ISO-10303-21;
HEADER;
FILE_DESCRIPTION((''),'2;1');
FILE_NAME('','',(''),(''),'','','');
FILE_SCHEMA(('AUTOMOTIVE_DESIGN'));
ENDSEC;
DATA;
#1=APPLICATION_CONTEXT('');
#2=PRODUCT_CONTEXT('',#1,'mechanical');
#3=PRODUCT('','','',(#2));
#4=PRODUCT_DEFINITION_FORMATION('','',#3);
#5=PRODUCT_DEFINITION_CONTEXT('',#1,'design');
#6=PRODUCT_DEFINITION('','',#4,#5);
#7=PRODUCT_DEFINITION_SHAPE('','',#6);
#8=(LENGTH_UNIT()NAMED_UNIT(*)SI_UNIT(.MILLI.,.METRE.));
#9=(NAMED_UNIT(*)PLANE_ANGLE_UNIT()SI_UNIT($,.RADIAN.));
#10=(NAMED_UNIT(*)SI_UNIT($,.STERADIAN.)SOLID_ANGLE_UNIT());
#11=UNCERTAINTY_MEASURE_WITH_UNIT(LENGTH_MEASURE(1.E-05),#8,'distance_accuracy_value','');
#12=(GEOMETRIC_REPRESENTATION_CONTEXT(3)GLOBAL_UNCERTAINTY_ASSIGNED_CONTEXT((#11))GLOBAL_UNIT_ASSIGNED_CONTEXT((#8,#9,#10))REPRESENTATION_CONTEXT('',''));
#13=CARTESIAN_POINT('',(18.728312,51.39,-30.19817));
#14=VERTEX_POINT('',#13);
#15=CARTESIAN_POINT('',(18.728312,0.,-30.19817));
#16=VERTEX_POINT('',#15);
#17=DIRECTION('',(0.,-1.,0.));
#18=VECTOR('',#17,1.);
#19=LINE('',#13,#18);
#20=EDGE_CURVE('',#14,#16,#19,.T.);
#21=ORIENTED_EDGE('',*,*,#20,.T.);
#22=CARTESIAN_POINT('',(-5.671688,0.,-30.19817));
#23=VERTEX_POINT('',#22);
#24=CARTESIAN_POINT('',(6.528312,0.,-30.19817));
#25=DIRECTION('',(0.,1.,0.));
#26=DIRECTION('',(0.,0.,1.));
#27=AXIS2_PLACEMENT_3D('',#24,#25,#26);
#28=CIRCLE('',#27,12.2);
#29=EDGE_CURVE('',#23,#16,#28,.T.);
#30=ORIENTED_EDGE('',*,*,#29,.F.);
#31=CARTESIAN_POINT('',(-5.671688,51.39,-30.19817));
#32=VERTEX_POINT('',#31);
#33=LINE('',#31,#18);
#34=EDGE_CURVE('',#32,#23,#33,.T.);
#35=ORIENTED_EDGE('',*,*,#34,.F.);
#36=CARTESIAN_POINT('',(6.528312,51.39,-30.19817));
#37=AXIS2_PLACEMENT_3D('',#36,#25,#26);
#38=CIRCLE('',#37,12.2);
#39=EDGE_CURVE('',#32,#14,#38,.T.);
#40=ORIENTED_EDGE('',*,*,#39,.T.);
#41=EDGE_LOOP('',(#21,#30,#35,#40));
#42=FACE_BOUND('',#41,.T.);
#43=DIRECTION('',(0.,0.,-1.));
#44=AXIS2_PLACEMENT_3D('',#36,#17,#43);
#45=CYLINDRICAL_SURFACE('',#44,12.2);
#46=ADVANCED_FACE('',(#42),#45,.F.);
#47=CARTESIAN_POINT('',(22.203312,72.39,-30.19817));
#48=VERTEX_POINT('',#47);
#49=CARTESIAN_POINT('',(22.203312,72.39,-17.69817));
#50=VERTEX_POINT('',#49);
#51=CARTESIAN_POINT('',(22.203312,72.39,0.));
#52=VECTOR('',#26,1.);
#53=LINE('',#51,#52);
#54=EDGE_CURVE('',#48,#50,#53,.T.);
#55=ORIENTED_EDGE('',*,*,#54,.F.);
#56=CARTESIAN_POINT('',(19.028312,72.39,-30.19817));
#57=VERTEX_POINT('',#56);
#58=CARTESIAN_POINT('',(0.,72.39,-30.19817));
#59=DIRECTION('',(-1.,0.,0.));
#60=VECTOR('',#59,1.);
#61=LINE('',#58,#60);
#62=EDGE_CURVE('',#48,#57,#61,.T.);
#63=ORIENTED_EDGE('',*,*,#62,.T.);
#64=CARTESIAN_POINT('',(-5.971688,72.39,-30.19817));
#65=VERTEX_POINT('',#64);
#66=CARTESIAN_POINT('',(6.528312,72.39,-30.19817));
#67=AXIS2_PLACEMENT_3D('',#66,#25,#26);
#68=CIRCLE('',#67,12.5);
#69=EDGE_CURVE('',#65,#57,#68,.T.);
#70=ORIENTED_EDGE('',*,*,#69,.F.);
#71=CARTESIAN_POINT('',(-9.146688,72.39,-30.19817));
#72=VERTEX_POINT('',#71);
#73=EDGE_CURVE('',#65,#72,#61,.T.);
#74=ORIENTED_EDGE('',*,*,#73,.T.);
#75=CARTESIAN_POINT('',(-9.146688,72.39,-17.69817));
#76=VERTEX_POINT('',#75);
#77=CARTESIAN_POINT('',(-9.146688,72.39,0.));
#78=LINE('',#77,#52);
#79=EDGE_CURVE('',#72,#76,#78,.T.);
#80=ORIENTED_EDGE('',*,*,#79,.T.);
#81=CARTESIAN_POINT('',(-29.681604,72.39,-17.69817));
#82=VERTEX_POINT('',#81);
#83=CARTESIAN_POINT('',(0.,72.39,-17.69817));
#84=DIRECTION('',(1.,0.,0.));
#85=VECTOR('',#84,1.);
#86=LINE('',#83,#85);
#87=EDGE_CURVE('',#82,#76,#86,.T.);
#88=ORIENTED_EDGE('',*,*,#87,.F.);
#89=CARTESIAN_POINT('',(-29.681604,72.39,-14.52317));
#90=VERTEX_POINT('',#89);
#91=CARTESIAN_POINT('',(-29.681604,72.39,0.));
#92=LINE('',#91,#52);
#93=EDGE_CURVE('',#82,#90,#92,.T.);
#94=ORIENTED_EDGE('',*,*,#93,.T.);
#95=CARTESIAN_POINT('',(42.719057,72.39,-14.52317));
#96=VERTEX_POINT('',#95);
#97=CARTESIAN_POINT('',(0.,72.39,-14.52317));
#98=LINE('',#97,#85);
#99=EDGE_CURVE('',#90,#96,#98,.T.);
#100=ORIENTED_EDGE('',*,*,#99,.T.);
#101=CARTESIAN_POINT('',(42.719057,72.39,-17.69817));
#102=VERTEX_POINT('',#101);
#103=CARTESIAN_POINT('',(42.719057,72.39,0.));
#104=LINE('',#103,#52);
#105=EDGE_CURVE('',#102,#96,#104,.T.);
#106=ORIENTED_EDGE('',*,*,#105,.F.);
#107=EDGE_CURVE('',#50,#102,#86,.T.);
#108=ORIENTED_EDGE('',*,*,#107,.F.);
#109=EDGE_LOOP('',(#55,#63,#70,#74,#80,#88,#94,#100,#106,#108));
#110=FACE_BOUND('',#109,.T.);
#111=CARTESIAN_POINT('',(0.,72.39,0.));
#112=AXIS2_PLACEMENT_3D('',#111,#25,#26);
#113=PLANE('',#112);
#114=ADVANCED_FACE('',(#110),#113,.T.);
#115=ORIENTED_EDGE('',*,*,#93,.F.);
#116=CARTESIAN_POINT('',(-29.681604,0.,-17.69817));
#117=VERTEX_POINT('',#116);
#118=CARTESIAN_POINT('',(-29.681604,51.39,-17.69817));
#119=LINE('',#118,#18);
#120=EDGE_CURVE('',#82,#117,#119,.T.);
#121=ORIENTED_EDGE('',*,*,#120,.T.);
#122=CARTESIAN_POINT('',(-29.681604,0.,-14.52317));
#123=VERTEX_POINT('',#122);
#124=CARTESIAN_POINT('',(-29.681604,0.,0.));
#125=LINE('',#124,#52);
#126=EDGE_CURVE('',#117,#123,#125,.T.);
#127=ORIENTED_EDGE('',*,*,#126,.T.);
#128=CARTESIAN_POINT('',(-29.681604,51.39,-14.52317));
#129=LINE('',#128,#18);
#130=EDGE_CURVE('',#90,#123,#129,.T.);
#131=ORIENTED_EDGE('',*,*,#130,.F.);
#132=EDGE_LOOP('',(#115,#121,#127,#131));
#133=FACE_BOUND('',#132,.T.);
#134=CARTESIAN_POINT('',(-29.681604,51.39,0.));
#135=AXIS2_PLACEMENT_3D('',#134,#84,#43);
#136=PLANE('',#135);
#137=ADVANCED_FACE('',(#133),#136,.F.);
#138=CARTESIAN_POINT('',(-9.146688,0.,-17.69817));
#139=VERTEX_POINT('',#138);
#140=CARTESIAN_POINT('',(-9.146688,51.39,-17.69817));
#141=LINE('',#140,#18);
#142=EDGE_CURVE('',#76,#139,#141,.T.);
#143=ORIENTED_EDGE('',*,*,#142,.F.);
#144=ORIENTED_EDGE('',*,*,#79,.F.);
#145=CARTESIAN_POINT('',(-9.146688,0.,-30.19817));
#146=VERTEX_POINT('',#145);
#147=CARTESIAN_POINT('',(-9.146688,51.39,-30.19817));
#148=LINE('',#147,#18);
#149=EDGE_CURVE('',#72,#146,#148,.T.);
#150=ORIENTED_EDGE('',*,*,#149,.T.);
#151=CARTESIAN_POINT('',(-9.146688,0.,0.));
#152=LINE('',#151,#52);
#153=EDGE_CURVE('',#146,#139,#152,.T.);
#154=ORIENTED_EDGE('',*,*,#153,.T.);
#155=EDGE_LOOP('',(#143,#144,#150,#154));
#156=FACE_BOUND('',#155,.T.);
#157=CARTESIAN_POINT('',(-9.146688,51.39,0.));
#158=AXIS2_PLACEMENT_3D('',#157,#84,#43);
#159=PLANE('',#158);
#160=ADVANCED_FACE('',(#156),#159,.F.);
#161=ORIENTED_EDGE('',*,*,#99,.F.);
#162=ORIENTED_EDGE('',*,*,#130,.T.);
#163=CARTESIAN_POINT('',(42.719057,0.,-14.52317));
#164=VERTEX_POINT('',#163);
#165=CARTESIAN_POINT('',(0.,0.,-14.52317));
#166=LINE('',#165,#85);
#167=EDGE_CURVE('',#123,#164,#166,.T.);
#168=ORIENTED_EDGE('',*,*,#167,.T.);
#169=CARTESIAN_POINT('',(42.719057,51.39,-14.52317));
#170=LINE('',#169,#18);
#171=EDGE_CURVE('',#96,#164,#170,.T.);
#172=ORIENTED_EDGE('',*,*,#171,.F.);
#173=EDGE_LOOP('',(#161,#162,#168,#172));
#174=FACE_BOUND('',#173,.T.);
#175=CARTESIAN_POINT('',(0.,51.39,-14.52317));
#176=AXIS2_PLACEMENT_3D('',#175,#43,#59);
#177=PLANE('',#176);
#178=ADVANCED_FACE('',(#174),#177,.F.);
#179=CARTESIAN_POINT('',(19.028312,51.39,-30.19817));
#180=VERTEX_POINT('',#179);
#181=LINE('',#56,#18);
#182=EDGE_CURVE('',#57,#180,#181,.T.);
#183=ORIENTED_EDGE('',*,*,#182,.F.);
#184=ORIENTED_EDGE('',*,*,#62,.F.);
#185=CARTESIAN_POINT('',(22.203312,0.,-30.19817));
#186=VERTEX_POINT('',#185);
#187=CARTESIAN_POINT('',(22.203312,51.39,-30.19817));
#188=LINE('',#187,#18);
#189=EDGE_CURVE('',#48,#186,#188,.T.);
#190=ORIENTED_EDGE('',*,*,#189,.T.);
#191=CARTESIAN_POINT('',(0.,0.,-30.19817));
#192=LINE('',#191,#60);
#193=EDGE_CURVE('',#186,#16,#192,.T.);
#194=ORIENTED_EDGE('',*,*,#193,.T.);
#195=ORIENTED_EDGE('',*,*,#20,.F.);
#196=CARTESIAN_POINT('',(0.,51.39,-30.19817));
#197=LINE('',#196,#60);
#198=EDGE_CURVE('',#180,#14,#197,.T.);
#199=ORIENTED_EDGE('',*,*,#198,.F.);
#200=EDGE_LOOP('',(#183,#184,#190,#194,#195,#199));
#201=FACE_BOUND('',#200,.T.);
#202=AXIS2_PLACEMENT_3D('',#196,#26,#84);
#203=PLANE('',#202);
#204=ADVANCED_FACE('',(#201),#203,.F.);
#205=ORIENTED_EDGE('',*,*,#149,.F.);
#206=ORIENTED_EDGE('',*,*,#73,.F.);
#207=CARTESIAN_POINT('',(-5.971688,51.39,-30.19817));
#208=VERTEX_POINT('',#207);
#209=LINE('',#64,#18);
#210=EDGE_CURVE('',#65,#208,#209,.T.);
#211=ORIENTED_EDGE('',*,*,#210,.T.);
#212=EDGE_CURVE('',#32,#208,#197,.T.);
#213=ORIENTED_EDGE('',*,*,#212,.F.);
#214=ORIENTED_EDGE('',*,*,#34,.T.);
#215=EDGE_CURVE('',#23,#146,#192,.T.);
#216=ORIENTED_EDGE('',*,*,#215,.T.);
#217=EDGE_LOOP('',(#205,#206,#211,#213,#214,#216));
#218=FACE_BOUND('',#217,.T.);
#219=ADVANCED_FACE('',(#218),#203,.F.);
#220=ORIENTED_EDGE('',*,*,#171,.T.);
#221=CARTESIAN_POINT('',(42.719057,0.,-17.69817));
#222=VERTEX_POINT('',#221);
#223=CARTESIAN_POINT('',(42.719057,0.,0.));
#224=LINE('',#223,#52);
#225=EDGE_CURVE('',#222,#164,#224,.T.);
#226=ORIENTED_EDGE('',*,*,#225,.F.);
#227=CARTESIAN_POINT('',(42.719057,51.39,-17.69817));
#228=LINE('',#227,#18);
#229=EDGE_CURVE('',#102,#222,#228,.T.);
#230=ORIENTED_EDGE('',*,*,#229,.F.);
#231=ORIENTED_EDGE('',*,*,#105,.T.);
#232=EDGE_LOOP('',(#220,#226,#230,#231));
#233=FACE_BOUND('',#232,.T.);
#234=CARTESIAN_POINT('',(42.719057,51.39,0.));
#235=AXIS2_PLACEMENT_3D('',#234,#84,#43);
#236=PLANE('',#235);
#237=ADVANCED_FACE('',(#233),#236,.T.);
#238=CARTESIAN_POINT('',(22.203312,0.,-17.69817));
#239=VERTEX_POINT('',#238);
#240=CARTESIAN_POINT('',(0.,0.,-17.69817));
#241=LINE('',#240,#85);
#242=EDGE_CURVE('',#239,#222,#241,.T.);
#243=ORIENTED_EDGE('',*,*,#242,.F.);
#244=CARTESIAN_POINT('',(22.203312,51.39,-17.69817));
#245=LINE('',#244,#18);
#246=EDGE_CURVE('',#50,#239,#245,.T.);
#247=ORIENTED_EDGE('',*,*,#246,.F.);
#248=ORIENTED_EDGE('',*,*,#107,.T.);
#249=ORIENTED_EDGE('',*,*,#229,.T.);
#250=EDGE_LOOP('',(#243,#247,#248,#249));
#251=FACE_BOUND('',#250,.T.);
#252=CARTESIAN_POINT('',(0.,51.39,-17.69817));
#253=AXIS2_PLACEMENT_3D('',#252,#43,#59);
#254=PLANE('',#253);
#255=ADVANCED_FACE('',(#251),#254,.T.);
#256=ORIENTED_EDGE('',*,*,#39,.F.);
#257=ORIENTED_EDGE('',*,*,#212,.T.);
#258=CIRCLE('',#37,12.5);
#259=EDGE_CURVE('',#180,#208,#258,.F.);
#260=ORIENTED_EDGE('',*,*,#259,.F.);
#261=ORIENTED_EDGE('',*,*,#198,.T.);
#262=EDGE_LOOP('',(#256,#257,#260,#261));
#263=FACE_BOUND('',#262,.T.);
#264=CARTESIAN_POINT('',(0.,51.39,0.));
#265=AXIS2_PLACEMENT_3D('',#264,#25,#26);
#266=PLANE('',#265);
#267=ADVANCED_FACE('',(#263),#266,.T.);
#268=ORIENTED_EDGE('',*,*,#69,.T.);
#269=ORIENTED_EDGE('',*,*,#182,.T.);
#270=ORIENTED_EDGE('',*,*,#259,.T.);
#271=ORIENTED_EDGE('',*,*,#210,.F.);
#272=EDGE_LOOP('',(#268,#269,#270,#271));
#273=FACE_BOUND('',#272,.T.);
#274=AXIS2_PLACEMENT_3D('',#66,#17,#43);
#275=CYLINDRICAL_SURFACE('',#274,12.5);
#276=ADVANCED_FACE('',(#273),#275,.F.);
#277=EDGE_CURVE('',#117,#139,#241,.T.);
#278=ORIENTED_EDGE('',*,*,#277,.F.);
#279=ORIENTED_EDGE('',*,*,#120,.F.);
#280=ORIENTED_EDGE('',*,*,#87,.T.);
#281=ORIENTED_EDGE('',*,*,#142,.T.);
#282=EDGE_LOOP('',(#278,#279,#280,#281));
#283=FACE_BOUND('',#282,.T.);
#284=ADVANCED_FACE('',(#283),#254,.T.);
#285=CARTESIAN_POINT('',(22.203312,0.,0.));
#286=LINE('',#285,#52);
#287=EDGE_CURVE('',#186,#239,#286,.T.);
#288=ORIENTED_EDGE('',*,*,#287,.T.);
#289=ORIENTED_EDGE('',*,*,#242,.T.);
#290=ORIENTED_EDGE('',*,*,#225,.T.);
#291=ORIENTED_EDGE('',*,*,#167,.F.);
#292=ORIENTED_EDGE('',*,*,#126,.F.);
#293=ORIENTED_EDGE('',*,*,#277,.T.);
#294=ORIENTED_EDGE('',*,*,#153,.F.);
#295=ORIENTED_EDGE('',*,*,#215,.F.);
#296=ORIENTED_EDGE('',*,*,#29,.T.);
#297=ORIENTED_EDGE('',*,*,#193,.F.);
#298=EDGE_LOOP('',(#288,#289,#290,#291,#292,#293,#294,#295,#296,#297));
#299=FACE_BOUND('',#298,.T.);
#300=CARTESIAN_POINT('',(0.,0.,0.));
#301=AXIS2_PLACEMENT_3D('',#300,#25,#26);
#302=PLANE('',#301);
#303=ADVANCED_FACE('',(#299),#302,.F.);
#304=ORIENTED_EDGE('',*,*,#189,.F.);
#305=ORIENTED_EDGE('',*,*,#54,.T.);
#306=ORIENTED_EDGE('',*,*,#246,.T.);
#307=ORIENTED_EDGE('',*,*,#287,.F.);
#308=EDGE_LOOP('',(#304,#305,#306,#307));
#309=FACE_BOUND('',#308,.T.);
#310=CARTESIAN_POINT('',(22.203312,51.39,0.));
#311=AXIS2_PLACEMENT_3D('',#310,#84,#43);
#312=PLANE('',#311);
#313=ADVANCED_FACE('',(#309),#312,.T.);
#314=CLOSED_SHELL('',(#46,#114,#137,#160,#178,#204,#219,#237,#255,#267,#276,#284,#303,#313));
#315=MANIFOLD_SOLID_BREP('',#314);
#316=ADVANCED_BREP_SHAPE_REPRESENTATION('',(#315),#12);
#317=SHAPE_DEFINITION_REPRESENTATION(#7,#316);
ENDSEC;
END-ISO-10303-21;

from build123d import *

# Parameters (mm, degrees)
BOSS_EXTRUDE4_DEPTH = 51.39
BOSS_EXTRUDE5_DEPTH = 72.39


with BuildPart() as part:
    # Sketch1 → Boss-Extrude4 (new body)
    with BuildSketch(Plane(origin=(0, 0, 0), x_dir=(1, 0, 0), z_dir=(0, 1, 0))):
        with BuildLine():
            ThreePointArc((18.7283116, 30.198170271), (6.5283116, 17.99817027), (-5.6716884, 30.198170271))
            Line((-5.6716884, 30.198170271), (-9.146688396, 30.198170271))
            Line((-9.146688396, 30.198170271), (-9.146688396, 17.698170271))
            Line((-9.146688396, 17.698170271), (-29.681604426, 17.698170271))
            Line((-29.681604426, 17.698170271), (-29.681604426, 14.523170271))
            Line((-29.681604426, 14.523170271), (42.719057074, 14.523170271))
            Line((42.719057074, 14.523170271), (42.719057074, 17.698170271))
            Line((42.719057074, 17.698170271), (22.203311604, 17.698170271))
            Line((22.203311604, 17.698170271), (22.203311604, 30.198170271))
            Line((22.203311604, 30.198170271), (18.7283116, 30.198170271))
        make_face()
    extrude(amount=BOSS_EXTRUDE4_DEPTH)

    # Sketch1<9> → Boss-Extrude5 (add)
    with BuildSketch(Plane(origin=(0, 0, 0), x_dir=(1, 0, 0), z_dir=(0, 1, 0))):
        with BuildLine():
            Line((-5.971688396, 30.198170271), (-9.146688396, 30.198170271))
            Line((-9.146688396, 30.198170271), (-9.146688396, 17.698170271))
            Line((-9.146688396, 17.698170271), (-29.681604426, 17.698170271))
            Line((-29.681604426, 17.698170271), (-29.681604426, 14.523170271))
            Line((-29.681604426, 14.523170271), (42.719057074, 14.523170271))
            Line((42.719057074, 14.523170271), (42.719057074, 17.698170271))
            Line((42.719057074, 17.698170271), (22.203311604, 17.698170271))
            Line((22.203311604, 17.698170271), (22.203311604, 30.198170271))
            Line((22.203311604, 30.198170271), (19.028311604, 30.198170271))
            ThreePointArc((19.028311604, 30.198170271), (6.528311604, 17.698170271), (-5.971688396, 30.198170271))
        make_face()
    extrude(amount=BOSS_EXTRUDE5_DEPTH)


solid = part.part
